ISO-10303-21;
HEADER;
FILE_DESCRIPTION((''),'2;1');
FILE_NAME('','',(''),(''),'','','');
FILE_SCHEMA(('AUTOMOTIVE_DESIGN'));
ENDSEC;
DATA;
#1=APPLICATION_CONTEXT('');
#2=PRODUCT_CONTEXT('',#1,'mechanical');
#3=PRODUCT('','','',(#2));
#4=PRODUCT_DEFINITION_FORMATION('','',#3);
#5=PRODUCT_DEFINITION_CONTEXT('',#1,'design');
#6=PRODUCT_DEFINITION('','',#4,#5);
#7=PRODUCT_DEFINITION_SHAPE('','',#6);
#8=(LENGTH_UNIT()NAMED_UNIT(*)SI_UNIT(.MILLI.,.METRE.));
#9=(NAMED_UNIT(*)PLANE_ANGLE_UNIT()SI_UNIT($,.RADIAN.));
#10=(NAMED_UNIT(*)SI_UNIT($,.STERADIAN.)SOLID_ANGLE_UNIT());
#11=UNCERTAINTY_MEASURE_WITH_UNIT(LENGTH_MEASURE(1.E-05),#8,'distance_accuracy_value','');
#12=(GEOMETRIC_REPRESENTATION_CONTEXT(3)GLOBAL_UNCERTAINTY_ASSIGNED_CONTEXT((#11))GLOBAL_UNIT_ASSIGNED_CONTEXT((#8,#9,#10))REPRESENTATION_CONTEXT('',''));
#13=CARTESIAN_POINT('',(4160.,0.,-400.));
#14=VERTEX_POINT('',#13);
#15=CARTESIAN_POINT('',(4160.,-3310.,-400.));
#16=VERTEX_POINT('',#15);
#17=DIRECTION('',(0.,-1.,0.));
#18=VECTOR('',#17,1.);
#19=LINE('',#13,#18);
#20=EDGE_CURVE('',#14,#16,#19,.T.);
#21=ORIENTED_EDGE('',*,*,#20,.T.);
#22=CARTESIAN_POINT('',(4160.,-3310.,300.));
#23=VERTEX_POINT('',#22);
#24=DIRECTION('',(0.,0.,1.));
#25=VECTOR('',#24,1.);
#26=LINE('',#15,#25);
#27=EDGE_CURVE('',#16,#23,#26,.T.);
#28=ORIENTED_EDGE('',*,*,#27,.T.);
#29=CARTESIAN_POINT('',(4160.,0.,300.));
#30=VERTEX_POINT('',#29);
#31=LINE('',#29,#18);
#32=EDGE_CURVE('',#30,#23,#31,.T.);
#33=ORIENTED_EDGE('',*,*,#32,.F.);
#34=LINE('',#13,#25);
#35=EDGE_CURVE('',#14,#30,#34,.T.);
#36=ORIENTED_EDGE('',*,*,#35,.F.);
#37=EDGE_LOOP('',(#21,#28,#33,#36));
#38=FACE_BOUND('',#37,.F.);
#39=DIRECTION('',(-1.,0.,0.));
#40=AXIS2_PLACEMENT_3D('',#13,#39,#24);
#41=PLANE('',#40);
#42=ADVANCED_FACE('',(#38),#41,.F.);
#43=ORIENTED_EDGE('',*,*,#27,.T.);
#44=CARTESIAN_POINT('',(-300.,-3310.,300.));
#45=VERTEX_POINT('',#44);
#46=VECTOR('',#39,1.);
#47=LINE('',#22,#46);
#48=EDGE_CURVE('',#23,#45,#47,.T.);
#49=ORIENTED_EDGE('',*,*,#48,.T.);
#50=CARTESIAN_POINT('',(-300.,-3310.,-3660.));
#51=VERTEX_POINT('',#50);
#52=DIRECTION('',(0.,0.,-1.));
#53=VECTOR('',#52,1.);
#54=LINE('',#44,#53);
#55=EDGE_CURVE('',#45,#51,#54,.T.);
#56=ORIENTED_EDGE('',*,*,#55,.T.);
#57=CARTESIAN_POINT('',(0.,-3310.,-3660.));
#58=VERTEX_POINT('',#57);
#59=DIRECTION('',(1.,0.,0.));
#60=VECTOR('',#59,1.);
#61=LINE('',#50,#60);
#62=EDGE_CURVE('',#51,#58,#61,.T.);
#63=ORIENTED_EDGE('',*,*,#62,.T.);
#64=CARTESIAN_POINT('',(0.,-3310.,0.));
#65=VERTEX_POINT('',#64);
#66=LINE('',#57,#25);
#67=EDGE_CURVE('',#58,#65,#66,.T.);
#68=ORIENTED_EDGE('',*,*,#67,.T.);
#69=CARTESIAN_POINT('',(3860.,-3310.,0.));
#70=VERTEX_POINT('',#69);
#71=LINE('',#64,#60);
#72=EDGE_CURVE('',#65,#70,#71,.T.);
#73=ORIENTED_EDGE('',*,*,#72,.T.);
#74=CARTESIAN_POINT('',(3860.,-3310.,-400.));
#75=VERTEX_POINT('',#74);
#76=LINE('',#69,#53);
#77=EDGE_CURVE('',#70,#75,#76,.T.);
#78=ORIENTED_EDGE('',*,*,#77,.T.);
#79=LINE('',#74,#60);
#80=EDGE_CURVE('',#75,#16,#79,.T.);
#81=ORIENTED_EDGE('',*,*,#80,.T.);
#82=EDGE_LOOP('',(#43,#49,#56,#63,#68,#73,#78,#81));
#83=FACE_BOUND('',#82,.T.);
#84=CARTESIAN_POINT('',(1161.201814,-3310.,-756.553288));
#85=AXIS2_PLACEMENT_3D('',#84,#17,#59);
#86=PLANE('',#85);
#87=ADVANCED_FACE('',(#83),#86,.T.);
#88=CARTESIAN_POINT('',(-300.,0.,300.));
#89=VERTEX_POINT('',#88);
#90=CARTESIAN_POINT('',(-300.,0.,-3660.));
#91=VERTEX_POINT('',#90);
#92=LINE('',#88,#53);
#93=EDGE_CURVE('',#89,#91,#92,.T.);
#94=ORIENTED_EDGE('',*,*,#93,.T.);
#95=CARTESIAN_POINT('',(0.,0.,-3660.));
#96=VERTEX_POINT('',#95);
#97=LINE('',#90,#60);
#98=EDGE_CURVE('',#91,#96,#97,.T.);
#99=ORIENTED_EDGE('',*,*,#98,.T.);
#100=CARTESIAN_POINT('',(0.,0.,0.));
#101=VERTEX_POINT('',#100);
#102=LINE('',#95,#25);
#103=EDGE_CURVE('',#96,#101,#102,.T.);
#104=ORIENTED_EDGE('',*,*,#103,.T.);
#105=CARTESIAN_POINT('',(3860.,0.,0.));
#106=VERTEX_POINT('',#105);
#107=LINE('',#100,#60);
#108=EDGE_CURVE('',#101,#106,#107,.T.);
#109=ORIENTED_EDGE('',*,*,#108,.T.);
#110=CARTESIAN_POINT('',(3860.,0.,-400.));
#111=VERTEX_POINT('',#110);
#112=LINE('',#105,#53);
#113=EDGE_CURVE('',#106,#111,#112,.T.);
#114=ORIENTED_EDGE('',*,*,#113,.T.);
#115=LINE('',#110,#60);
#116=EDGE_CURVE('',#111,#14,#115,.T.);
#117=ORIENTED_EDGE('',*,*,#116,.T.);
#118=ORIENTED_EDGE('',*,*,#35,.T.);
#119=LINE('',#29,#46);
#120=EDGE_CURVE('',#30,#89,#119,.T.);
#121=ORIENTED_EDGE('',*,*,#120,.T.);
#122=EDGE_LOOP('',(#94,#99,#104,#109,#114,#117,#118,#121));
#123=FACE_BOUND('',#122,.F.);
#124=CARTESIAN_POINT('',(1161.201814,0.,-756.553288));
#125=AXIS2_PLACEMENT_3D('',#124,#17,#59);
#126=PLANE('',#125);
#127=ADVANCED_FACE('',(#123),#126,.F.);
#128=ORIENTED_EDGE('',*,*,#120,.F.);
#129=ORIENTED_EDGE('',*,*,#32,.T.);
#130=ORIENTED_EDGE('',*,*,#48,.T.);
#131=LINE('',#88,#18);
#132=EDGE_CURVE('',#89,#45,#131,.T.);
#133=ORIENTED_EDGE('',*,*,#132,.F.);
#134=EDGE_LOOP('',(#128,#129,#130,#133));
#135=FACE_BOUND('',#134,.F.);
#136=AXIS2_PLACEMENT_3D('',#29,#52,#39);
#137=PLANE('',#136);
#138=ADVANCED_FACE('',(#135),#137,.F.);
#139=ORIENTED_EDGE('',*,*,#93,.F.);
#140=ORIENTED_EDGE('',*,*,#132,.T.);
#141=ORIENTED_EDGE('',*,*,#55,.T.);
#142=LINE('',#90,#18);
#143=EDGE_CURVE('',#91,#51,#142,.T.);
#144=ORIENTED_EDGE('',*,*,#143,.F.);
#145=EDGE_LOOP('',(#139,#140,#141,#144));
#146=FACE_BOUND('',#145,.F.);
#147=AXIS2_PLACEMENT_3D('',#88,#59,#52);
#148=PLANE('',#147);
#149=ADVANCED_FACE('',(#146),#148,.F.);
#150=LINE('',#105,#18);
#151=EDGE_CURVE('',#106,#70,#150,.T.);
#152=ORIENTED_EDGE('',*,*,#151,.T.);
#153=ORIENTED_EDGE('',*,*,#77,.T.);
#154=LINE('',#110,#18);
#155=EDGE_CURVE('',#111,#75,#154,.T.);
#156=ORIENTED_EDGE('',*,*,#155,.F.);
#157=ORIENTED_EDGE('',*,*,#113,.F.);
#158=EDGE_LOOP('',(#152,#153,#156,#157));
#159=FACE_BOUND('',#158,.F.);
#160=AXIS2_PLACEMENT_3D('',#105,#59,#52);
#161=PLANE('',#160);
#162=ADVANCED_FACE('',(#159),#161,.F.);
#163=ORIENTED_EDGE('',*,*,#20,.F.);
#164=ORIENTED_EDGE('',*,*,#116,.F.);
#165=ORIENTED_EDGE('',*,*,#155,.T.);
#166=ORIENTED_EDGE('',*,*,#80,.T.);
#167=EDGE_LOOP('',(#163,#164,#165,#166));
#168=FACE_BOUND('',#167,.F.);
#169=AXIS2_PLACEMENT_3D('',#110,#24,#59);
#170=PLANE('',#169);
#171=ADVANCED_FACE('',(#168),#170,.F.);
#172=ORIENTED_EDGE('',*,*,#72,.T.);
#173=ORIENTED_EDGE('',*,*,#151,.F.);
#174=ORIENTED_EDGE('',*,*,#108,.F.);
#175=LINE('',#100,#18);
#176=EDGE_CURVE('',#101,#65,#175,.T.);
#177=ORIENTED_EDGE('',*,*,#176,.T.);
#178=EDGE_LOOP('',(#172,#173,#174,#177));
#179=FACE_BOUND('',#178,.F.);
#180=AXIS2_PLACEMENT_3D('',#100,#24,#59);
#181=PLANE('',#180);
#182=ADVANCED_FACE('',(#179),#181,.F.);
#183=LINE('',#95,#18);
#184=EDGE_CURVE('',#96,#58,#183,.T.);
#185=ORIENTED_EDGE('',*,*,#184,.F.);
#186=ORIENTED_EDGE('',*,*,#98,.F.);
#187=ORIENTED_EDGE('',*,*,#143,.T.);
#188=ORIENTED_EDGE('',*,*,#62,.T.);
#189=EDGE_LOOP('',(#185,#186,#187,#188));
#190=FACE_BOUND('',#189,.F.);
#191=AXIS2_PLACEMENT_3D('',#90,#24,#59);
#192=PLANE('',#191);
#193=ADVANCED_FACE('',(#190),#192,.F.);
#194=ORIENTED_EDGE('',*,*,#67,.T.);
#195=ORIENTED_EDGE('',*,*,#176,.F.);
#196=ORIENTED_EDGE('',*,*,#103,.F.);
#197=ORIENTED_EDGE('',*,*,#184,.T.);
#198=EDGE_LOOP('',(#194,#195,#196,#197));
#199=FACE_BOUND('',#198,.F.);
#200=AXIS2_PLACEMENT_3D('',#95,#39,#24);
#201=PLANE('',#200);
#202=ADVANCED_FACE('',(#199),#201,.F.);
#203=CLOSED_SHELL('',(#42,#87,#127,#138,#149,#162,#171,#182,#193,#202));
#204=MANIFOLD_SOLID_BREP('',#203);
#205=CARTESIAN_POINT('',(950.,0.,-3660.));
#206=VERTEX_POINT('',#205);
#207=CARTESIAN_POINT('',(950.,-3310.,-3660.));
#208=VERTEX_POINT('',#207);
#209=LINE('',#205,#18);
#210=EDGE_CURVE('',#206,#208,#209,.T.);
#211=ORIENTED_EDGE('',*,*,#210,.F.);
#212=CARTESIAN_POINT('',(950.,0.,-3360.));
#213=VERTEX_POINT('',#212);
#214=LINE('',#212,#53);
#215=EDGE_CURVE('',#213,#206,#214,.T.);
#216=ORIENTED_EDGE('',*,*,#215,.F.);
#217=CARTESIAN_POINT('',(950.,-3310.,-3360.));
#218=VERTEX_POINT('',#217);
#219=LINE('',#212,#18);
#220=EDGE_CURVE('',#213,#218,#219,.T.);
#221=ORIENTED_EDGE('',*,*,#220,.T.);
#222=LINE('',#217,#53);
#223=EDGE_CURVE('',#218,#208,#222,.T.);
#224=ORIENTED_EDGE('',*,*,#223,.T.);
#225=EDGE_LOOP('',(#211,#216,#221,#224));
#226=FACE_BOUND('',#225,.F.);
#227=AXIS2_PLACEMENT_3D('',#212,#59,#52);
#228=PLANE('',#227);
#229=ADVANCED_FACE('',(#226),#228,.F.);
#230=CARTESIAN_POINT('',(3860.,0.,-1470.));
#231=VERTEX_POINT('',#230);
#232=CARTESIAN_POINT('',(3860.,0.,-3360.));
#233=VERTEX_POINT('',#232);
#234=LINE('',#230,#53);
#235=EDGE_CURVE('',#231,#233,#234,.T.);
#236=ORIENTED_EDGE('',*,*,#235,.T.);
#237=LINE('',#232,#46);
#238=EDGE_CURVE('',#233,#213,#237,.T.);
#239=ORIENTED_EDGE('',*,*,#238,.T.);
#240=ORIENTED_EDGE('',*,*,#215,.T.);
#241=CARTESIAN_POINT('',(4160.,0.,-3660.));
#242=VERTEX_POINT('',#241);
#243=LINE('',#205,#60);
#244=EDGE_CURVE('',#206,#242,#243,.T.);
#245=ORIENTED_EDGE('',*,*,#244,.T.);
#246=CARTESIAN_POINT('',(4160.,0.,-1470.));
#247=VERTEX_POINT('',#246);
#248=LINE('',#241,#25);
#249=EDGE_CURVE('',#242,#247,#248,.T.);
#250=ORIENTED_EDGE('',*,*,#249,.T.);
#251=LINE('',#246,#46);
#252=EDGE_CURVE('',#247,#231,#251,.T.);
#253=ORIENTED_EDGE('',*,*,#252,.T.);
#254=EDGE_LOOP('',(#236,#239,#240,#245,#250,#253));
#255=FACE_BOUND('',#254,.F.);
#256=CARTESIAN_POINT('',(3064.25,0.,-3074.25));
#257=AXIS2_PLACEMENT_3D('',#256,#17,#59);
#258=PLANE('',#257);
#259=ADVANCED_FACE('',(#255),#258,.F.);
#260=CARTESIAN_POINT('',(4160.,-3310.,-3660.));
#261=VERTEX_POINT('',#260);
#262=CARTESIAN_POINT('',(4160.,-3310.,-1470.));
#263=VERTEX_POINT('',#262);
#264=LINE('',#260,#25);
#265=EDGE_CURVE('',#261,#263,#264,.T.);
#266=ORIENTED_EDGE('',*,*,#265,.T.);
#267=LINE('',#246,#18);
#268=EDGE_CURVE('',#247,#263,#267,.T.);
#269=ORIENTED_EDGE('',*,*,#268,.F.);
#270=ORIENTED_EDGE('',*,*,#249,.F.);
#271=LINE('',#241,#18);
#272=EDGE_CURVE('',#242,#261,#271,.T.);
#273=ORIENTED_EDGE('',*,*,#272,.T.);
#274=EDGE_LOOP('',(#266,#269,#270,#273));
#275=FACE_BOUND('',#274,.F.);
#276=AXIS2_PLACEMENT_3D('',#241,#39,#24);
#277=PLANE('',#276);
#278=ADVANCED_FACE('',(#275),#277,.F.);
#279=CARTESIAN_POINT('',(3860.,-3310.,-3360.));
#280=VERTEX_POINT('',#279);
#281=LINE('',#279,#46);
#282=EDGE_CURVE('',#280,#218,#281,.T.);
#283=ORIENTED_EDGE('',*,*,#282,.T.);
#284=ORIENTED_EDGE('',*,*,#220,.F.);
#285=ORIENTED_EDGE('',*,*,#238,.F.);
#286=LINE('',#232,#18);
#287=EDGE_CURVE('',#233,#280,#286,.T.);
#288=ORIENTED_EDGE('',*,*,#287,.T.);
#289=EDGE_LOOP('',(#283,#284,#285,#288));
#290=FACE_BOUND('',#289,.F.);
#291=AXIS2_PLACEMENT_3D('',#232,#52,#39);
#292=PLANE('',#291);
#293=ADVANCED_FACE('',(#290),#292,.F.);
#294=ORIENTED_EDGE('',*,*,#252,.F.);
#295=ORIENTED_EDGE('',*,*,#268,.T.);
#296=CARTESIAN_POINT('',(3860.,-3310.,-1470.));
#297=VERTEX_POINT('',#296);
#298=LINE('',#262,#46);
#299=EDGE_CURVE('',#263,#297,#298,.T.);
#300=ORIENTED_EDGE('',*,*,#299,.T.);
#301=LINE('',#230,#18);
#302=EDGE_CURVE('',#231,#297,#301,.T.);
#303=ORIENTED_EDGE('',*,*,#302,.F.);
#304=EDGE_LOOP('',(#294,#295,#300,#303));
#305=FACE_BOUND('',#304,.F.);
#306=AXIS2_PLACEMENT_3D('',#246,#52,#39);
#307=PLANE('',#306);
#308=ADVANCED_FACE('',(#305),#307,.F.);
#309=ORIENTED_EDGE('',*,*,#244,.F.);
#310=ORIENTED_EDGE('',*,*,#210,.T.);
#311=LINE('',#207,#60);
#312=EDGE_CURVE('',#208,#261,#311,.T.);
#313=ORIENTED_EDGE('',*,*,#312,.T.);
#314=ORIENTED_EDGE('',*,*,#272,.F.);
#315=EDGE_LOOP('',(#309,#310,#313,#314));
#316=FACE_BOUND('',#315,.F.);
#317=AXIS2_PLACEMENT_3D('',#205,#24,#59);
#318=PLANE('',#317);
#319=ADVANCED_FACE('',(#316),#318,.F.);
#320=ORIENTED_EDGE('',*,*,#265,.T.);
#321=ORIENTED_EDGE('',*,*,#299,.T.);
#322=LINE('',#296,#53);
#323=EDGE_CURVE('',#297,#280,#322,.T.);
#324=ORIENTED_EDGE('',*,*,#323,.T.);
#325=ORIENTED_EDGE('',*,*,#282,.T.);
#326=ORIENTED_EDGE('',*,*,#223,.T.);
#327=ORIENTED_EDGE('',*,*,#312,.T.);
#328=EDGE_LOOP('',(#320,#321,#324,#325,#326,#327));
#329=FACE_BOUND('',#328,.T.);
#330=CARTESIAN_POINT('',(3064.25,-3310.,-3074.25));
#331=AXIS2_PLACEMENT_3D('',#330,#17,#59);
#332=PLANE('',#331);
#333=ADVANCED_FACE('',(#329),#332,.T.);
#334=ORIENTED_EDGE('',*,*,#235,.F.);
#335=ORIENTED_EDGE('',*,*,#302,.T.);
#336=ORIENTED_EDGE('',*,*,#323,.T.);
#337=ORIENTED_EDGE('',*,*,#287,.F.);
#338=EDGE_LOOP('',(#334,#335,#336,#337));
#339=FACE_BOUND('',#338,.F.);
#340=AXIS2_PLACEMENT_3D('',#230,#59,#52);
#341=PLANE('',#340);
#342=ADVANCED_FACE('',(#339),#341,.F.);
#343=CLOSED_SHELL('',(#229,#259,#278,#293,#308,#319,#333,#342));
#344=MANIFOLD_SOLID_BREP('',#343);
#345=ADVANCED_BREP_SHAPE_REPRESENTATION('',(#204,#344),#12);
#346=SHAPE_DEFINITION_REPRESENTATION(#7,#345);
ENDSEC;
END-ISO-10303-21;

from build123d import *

# Parameters (mm, degrees)
F1_DEPTH = 3310


with BuildPart() as f1:
    # F0 (on Front) → F1 (new body)
    with BuildSketch(Plane.XZ):
        Polygon((0, -3360), (0, 0), (3860, 0), (3860, -400), (4160, -400), (4160, 300), (-300, 300), (-300, -3660), (0, -3660), align=None)
        Polygon((3860, -3360), (950, -3360), (950, -3660), (4160, -3660), (4160, -1470), (3860, -1470), align=None)
    extrude(amount=F1_DEPTH)


solid = f1.part
